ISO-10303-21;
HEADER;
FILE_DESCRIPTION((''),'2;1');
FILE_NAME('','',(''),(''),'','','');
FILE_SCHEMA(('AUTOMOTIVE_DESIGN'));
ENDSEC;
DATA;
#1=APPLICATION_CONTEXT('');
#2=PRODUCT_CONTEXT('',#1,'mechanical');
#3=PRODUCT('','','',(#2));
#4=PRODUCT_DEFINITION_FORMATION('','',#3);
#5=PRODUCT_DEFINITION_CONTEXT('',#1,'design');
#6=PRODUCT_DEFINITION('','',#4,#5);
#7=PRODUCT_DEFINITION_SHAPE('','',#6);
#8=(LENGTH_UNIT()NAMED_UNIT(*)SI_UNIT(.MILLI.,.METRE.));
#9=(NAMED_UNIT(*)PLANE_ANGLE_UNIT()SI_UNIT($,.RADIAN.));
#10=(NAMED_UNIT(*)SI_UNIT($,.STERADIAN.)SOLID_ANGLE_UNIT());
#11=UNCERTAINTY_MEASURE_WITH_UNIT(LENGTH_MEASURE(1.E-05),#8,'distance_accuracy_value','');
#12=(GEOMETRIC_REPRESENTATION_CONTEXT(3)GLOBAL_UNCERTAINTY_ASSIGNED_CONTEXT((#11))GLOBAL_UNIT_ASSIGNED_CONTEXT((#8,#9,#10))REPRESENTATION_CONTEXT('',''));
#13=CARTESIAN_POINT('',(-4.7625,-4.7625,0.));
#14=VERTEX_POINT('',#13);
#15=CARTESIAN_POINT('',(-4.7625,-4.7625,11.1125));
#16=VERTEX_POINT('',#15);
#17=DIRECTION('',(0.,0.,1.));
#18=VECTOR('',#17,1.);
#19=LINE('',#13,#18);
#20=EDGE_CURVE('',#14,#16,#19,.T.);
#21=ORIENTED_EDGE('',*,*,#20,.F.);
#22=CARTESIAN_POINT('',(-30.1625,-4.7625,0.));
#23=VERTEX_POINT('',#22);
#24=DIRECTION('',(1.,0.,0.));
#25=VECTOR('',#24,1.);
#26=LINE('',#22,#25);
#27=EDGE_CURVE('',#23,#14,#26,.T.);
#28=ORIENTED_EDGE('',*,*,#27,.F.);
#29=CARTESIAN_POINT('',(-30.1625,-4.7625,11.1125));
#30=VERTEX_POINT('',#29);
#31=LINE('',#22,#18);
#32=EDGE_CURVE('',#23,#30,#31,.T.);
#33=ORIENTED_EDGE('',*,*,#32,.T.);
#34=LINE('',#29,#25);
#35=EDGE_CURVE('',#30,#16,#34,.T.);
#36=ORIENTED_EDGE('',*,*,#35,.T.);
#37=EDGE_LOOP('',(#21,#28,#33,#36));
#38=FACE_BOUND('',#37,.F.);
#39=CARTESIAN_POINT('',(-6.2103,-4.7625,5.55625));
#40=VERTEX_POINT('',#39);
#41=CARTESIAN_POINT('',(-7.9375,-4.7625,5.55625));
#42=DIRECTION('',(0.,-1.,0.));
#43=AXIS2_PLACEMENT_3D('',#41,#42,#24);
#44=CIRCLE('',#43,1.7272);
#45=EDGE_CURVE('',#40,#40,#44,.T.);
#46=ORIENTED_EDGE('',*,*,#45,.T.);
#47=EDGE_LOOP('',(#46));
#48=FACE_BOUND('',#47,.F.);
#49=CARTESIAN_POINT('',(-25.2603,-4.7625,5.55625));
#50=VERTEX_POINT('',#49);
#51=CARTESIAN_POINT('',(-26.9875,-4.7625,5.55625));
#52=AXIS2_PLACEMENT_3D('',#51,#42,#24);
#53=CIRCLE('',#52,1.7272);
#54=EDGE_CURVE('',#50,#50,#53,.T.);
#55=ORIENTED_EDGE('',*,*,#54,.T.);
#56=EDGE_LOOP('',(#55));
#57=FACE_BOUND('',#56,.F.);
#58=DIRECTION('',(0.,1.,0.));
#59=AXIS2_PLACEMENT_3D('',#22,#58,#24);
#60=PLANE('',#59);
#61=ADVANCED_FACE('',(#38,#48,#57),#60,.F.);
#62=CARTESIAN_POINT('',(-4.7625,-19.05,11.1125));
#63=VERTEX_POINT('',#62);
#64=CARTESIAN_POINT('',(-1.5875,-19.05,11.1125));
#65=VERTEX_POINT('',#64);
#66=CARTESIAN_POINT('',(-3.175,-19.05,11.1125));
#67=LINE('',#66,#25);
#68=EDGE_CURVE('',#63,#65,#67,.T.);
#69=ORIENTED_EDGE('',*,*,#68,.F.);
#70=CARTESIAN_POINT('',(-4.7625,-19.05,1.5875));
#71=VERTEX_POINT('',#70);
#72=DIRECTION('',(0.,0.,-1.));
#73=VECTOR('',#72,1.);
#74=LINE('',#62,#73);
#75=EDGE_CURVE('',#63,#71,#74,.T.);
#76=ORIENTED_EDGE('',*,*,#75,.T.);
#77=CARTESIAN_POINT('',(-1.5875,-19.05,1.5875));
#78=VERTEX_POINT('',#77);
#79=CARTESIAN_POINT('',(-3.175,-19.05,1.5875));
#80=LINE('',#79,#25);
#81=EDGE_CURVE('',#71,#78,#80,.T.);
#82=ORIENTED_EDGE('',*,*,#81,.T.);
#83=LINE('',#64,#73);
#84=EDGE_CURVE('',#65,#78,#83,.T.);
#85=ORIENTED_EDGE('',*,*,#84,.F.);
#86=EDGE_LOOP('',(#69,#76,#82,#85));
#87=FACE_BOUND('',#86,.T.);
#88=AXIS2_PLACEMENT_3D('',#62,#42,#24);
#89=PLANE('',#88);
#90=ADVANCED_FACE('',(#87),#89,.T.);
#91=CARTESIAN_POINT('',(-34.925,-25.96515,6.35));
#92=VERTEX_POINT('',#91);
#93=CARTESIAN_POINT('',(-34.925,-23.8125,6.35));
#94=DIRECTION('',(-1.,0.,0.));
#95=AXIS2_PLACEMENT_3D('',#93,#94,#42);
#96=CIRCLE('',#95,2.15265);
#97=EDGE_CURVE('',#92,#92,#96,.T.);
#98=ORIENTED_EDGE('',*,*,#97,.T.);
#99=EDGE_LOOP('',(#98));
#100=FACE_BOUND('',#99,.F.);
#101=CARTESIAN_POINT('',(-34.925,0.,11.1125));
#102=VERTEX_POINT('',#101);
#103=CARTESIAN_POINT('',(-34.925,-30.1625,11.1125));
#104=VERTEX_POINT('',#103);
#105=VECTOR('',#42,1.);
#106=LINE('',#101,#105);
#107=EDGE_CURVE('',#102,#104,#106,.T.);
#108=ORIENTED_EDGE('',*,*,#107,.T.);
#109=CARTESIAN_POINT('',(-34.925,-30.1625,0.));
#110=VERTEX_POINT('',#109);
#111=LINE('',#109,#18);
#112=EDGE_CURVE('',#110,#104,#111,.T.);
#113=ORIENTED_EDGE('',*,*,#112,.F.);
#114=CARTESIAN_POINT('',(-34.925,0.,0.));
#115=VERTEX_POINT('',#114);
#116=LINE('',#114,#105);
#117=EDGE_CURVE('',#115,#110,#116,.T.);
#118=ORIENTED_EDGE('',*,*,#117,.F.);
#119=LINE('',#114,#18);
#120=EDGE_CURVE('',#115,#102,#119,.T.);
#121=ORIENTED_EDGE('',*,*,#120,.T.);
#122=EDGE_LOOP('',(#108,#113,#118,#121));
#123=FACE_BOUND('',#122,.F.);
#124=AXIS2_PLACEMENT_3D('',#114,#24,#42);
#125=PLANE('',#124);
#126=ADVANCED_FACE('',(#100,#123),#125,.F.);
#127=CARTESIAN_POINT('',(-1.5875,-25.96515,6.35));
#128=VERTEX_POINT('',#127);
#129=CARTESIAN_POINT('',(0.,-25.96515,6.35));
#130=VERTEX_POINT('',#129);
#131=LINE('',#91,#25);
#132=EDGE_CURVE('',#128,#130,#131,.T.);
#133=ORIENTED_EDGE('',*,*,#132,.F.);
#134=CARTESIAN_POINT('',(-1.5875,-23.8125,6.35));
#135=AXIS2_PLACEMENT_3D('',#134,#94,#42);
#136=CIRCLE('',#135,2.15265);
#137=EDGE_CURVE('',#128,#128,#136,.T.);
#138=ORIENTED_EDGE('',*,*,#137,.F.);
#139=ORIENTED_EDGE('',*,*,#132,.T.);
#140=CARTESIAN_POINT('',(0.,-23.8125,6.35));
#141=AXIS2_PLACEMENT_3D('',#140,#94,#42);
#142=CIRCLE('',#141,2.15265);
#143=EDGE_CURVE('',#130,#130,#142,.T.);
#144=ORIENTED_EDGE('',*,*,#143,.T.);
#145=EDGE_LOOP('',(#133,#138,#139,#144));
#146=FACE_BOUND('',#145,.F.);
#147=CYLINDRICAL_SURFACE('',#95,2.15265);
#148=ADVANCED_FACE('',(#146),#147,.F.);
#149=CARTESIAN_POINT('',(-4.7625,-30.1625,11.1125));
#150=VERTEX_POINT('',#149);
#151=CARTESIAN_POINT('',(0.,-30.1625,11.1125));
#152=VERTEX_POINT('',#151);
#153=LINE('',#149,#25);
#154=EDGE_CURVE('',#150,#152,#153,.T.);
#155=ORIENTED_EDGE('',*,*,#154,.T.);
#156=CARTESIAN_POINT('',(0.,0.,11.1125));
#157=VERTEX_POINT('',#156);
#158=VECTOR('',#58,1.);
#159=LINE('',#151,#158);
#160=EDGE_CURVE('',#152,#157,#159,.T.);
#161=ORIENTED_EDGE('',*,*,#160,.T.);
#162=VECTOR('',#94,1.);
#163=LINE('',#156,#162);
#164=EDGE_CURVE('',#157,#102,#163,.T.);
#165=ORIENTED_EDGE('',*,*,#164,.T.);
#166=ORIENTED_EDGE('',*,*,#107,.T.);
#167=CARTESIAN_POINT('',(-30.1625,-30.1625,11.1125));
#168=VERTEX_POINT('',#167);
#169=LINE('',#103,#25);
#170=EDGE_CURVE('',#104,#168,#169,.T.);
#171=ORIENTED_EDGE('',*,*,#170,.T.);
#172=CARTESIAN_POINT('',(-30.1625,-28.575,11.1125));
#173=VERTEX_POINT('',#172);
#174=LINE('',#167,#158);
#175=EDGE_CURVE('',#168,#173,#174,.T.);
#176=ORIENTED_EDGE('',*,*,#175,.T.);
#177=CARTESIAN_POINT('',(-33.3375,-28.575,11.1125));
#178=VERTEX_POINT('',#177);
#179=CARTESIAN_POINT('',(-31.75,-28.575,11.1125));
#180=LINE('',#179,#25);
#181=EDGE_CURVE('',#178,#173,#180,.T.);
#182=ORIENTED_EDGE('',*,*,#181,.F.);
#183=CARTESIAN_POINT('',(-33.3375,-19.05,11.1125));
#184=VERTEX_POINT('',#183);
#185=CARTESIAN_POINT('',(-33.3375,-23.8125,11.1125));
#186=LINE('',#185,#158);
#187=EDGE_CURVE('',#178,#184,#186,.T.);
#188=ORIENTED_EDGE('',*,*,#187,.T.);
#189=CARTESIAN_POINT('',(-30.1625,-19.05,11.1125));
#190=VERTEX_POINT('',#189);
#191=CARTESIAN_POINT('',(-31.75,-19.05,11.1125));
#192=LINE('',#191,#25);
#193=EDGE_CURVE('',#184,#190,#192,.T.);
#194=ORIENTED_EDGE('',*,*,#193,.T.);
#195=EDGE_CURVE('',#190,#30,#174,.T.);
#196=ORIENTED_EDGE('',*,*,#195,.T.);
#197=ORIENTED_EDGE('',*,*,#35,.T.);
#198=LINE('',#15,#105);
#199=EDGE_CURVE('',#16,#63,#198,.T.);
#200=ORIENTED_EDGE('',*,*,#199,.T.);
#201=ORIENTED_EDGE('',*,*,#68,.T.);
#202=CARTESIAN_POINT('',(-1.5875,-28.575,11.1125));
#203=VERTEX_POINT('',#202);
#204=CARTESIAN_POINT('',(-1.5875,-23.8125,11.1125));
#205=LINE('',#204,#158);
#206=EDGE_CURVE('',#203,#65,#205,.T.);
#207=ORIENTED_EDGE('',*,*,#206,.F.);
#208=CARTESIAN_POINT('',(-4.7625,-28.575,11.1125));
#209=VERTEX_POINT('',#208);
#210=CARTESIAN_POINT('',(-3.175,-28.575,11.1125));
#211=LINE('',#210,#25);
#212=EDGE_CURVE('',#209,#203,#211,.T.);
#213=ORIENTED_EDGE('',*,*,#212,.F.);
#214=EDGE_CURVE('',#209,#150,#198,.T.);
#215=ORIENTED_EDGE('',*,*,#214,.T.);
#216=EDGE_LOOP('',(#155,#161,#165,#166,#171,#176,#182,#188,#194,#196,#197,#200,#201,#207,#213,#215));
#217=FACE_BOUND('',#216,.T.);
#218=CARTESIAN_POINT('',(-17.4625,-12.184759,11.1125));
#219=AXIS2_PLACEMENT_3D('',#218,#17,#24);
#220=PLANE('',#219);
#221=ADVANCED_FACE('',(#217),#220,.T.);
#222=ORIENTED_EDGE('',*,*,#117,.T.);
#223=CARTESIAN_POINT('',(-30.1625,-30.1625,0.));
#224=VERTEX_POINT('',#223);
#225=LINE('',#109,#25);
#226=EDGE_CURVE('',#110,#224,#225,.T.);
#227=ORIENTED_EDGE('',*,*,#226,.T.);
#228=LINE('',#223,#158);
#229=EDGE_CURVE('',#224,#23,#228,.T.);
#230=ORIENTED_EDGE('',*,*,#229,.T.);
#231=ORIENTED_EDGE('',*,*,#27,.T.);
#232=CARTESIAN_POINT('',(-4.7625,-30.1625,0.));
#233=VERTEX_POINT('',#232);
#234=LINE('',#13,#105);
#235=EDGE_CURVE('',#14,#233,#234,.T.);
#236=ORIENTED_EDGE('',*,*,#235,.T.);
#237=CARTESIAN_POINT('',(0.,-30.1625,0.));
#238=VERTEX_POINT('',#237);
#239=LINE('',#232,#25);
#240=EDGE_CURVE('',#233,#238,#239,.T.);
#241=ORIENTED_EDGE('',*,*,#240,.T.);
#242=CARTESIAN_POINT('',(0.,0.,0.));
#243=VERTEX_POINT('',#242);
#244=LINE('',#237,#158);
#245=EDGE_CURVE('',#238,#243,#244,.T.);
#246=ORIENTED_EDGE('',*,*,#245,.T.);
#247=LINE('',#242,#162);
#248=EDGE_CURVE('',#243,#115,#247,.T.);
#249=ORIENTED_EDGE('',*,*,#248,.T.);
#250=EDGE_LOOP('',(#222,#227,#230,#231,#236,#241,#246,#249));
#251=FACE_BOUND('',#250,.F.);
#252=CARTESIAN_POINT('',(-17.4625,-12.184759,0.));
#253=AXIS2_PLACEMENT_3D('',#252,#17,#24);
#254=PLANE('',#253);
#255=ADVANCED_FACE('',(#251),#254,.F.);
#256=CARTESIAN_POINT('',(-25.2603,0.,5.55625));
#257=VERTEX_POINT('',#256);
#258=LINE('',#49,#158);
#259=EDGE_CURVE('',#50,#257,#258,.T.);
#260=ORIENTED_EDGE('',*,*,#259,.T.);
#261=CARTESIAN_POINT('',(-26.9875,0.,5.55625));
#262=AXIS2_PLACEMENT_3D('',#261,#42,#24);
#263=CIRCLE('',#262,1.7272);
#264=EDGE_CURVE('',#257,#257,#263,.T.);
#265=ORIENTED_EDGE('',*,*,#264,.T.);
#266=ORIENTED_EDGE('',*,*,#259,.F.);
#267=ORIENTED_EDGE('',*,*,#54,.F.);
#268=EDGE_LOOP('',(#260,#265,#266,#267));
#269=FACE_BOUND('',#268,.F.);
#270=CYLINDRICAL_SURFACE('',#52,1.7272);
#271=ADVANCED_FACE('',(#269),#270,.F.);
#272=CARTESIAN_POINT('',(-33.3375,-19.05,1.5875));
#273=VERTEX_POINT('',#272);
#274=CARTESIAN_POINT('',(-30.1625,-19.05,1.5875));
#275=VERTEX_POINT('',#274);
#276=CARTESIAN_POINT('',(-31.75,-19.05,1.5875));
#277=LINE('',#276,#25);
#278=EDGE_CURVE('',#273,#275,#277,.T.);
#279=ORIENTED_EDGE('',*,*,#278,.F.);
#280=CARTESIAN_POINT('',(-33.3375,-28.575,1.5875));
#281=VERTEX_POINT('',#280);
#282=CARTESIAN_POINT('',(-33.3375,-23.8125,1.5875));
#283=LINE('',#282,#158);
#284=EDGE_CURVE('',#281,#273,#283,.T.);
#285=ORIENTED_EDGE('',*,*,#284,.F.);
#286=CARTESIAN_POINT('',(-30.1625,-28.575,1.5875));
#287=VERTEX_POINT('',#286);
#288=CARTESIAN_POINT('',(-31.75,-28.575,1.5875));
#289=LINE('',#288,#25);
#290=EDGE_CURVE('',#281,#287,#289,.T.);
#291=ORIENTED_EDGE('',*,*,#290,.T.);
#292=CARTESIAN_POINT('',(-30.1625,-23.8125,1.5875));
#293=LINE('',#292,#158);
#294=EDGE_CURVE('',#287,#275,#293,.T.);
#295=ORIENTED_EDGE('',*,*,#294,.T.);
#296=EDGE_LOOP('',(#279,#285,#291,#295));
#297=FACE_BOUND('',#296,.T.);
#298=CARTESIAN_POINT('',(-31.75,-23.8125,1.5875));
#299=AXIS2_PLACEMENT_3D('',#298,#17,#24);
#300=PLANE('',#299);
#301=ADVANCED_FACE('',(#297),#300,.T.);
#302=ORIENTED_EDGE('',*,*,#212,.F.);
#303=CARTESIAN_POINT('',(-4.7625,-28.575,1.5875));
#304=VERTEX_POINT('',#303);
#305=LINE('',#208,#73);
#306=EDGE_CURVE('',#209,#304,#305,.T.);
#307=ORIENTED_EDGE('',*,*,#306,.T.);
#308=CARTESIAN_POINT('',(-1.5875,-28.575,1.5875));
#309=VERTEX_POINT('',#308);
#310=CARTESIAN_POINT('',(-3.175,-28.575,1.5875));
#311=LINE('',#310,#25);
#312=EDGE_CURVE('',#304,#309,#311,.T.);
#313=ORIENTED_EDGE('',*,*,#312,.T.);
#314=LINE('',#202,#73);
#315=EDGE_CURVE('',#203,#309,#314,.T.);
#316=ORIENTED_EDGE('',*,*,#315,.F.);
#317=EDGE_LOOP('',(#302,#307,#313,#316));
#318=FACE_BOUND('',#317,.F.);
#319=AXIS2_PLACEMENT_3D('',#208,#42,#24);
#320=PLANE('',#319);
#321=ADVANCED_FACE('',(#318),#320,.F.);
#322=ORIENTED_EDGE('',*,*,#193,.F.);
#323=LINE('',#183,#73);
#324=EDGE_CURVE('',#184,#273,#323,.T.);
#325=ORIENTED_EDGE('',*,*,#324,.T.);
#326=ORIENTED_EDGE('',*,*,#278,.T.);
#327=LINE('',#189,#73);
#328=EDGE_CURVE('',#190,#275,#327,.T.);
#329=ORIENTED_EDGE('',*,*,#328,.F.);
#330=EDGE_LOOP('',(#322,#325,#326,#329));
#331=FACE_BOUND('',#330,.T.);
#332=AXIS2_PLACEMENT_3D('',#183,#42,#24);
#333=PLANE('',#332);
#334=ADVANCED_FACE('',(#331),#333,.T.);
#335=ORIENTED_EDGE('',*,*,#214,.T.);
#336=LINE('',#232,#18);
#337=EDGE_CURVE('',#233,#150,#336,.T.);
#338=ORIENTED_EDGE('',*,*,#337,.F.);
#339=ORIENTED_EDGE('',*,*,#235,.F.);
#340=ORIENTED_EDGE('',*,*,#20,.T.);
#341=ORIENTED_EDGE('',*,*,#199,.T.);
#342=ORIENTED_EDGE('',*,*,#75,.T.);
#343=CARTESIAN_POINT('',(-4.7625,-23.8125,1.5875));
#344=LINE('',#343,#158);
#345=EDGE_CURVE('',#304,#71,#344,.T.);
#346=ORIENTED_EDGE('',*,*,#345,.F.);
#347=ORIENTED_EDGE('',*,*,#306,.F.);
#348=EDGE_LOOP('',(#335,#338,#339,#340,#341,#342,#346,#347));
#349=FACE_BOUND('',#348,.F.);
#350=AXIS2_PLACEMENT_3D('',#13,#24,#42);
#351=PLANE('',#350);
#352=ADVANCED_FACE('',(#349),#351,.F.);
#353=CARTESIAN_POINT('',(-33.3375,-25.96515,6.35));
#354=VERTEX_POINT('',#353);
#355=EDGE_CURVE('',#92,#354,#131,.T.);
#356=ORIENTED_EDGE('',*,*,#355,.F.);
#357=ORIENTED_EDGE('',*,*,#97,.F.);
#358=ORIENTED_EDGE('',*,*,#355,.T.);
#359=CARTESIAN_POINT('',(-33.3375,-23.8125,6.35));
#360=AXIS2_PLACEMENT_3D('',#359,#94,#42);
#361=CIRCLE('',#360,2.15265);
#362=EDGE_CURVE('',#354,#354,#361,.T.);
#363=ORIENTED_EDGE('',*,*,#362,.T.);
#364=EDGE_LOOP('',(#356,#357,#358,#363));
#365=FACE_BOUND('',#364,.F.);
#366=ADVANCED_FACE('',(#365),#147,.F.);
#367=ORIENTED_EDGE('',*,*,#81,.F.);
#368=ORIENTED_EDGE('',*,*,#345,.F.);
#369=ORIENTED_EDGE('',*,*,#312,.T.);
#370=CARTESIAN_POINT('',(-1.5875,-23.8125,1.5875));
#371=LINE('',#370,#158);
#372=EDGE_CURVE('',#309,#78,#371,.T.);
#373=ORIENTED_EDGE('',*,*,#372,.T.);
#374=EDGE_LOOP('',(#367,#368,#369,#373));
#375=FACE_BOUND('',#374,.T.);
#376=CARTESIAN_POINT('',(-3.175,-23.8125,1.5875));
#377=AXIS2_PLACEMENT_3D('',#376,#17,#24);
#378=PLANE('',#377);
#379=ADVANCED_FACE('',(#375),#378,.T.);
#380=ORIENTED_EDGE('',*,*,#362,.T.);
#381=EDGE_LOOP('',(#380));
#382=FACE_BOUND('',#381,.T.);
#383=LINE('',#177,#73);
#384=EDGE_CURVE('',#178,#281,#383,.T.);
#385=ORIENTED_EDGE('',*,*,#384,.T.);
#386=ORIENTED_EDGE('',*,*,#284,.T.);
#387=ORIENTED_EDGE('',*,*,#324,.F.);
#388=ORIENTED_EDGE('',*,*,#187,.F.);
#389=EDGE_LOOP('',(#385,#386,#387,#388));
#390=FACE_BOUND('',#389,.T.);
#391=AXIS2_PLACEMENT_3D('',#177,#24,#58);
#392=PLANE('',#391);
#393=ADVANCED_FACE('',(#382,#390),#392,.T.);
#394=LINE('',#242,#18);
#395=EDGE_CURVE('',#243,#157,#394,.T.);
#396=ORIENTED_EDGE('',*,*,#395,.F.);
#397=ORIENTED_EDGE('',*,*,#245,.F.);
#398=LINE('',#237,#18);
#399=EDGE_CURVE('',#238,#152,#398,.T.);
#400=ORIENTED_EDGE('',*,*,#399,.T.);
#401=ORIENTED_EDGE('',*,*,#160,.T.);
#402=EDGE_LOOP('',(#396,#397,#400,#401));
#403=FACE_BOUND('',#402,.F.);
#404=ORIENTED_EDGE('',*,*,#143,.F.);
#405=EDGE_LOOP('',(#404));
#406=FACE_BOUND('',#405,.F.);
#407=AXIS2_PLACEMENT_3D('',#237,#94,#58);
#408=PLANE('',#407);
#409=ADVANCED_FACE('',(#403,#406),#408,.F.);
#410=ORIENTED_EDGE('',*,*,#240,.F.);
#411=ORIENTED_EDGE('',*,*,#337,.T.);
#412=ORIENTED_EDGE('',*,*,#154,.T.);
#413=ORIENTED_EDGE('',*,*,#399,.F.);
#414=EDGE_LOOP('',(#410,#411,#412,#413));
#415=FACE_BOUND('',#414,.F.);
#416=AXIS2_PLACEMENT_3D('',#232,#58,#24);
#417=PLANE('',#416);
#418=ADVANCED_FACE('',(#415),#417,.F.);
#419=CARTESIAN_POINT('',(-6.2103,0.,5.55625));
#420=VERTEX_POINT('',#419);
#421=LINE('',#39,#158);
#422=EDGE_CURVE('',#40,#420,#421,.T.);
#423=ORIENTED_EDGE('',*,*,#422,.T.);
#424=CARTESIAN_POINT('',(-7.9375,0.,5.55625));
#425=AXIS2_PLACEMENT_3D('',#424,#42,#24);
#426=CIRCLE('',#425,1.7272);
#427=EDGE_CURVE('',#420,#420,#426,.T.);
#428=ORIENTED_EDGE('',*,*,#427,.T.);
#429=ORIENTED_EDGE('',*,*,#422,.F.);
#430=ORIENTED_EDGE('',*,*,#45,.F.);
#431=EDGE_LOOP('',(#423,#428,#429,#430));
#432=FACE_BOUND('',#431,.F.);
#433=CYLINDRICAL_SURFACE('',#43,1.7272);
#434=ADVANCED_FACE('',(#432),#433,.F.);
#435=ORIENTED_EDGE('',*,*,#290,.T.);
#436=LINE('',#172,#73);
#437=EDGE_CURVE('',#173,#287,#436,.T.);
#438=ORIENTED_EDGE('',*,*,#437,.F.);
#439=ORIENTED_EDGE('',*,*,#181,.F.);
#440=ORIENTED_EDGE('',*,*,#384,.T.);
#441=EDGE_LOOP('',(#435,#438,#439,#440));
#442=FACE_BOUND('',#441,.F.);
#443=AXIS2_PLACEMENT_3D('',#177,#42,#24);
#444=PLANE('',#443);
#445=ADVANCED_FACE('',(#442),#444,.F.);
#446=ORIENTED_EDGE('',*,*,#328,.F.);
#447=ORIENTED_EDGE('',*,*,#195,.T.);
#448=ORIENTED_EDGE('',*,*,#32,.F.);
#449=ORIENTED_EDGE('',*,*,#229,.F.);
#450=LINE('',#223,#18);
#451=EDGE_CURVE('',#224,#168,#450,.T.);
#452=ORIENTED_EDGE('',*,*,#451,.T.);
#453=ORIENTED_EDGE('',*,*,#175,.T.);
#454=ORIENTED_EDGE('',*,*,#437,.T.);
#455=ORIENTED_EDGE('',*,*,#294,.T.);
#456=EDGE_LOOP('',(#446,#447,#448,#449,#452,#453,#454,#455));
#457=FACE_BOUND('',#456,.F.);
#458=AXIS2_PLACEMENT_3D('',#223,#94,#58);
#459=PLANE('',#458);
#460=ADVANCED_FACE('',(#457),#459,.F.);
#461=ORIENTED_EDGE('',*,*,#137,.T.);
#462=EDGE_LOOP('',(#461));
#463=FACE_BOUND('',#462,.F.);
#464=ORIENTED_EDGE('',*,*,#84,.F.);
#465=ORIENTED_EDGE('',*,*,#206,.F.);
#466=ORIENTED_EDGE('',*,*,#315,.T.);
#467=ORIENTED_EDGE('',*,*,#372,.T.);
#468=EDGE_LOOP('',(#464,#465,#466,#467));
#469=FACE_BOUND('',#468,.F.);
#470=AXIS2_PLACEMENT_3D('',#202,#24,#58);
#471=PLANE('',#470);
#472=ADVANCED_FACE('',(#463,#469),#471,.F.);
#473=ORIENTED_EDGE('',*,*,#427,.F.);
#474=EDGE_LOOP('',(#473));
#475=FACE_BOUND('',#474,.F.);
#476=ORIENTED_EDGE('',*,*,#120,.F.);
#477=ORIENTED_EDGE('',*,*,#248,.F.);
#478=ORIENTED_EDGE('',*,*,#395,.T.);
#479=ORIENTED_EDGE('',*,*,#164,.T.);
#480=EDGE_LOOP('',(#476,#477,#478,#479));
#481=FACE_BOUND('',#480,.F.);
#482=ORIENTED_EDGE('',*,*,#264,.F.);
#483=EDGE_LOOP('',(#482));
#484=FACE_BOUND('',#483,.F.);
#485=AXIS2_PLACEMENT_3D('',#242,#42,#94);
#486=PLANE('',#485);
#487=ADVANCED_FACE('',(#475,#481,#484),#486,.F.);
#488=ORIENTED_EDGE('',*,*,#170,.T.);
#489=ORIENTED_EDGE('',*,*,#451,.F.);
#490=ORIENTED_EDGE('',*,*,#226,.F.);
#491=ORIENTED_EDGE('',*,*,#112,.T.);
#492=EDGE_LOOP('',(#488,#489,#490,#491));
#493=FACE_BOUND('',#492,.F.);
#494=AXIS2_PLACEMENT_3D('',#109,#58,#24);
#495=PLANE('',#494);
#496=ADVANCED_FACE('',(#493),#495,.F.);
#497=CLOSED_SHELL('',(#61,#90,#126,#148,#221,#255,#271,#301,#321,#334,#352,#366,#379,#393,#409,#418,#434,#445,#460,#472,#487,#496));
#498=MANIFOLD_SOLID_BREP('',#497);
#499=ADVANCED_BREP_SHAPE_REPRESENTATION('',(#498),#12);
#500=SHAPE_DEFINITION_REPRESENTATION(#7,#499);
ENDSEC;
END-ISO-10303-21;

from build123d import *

# Parameters (mm, degrees)
F1_DEPTH = 11.1125
F2_W     = 3.175
F2_H     = 9.525
F3_DEPTH = 9.525
F4_R     = 2.15265
F5_DEPTH = 34.925
F6_R     = 1.7272
F7_DEPTH = 4.7625


with BuildPart() as f1:
    # F0 (on Top) → F1 (new body)
    with BuildSketch(Plane.XY):
        Polygon((0, 0), (-34.925, 0), (-34.925, -30.1625), (-30.1625, -30.1625), (-30.1625, -4.7625), (-4.7625, -4.7625), (-4.7625, -30.1625), (0, -30.1625), align=None)
    extrude(amount=F1_DEPTH)

    # F2 (on face) → F3 (cut)
    with BuildSketch(Plane.XY.offset(11.1125)):
        with Locations((-31.75, -23.8125)):
            Rectangle(F2_W, F2_H)
        with Locations((-3.175, -23.8125)):
            Rectangle(F2_W, F2_H)
    extrude(amount=-F3_DEPTH, mode=Mode.SUBTRACT)

    # F4 (on face) → F5 (cut, through all)
    with BuildSketch(Plane(origin=(-34.925, 0, 0), x_dir=(0, -1, 0), z_dir=(-1, 0, 0))):
        with Locations((23.8125, 6.35)):
            Circle(F4_R)
    extrude(amount=-F5_DEPTH, mode=Mode.SUBTRACT)

    # F6 (on face) → F7 (cut, through all)
    with BuildSketch(Plane.XZ.offset(4.7625)):
        with Locations((-7.9375, 5.55625)):
            Circle(F6_R)
        with Locations((-26.9875, 5.55625)):
            Circle(F6_R)
    extrude(amount=-F7_DEPTH, mode=Mode.SUBTRACT)


solid = f1.part
